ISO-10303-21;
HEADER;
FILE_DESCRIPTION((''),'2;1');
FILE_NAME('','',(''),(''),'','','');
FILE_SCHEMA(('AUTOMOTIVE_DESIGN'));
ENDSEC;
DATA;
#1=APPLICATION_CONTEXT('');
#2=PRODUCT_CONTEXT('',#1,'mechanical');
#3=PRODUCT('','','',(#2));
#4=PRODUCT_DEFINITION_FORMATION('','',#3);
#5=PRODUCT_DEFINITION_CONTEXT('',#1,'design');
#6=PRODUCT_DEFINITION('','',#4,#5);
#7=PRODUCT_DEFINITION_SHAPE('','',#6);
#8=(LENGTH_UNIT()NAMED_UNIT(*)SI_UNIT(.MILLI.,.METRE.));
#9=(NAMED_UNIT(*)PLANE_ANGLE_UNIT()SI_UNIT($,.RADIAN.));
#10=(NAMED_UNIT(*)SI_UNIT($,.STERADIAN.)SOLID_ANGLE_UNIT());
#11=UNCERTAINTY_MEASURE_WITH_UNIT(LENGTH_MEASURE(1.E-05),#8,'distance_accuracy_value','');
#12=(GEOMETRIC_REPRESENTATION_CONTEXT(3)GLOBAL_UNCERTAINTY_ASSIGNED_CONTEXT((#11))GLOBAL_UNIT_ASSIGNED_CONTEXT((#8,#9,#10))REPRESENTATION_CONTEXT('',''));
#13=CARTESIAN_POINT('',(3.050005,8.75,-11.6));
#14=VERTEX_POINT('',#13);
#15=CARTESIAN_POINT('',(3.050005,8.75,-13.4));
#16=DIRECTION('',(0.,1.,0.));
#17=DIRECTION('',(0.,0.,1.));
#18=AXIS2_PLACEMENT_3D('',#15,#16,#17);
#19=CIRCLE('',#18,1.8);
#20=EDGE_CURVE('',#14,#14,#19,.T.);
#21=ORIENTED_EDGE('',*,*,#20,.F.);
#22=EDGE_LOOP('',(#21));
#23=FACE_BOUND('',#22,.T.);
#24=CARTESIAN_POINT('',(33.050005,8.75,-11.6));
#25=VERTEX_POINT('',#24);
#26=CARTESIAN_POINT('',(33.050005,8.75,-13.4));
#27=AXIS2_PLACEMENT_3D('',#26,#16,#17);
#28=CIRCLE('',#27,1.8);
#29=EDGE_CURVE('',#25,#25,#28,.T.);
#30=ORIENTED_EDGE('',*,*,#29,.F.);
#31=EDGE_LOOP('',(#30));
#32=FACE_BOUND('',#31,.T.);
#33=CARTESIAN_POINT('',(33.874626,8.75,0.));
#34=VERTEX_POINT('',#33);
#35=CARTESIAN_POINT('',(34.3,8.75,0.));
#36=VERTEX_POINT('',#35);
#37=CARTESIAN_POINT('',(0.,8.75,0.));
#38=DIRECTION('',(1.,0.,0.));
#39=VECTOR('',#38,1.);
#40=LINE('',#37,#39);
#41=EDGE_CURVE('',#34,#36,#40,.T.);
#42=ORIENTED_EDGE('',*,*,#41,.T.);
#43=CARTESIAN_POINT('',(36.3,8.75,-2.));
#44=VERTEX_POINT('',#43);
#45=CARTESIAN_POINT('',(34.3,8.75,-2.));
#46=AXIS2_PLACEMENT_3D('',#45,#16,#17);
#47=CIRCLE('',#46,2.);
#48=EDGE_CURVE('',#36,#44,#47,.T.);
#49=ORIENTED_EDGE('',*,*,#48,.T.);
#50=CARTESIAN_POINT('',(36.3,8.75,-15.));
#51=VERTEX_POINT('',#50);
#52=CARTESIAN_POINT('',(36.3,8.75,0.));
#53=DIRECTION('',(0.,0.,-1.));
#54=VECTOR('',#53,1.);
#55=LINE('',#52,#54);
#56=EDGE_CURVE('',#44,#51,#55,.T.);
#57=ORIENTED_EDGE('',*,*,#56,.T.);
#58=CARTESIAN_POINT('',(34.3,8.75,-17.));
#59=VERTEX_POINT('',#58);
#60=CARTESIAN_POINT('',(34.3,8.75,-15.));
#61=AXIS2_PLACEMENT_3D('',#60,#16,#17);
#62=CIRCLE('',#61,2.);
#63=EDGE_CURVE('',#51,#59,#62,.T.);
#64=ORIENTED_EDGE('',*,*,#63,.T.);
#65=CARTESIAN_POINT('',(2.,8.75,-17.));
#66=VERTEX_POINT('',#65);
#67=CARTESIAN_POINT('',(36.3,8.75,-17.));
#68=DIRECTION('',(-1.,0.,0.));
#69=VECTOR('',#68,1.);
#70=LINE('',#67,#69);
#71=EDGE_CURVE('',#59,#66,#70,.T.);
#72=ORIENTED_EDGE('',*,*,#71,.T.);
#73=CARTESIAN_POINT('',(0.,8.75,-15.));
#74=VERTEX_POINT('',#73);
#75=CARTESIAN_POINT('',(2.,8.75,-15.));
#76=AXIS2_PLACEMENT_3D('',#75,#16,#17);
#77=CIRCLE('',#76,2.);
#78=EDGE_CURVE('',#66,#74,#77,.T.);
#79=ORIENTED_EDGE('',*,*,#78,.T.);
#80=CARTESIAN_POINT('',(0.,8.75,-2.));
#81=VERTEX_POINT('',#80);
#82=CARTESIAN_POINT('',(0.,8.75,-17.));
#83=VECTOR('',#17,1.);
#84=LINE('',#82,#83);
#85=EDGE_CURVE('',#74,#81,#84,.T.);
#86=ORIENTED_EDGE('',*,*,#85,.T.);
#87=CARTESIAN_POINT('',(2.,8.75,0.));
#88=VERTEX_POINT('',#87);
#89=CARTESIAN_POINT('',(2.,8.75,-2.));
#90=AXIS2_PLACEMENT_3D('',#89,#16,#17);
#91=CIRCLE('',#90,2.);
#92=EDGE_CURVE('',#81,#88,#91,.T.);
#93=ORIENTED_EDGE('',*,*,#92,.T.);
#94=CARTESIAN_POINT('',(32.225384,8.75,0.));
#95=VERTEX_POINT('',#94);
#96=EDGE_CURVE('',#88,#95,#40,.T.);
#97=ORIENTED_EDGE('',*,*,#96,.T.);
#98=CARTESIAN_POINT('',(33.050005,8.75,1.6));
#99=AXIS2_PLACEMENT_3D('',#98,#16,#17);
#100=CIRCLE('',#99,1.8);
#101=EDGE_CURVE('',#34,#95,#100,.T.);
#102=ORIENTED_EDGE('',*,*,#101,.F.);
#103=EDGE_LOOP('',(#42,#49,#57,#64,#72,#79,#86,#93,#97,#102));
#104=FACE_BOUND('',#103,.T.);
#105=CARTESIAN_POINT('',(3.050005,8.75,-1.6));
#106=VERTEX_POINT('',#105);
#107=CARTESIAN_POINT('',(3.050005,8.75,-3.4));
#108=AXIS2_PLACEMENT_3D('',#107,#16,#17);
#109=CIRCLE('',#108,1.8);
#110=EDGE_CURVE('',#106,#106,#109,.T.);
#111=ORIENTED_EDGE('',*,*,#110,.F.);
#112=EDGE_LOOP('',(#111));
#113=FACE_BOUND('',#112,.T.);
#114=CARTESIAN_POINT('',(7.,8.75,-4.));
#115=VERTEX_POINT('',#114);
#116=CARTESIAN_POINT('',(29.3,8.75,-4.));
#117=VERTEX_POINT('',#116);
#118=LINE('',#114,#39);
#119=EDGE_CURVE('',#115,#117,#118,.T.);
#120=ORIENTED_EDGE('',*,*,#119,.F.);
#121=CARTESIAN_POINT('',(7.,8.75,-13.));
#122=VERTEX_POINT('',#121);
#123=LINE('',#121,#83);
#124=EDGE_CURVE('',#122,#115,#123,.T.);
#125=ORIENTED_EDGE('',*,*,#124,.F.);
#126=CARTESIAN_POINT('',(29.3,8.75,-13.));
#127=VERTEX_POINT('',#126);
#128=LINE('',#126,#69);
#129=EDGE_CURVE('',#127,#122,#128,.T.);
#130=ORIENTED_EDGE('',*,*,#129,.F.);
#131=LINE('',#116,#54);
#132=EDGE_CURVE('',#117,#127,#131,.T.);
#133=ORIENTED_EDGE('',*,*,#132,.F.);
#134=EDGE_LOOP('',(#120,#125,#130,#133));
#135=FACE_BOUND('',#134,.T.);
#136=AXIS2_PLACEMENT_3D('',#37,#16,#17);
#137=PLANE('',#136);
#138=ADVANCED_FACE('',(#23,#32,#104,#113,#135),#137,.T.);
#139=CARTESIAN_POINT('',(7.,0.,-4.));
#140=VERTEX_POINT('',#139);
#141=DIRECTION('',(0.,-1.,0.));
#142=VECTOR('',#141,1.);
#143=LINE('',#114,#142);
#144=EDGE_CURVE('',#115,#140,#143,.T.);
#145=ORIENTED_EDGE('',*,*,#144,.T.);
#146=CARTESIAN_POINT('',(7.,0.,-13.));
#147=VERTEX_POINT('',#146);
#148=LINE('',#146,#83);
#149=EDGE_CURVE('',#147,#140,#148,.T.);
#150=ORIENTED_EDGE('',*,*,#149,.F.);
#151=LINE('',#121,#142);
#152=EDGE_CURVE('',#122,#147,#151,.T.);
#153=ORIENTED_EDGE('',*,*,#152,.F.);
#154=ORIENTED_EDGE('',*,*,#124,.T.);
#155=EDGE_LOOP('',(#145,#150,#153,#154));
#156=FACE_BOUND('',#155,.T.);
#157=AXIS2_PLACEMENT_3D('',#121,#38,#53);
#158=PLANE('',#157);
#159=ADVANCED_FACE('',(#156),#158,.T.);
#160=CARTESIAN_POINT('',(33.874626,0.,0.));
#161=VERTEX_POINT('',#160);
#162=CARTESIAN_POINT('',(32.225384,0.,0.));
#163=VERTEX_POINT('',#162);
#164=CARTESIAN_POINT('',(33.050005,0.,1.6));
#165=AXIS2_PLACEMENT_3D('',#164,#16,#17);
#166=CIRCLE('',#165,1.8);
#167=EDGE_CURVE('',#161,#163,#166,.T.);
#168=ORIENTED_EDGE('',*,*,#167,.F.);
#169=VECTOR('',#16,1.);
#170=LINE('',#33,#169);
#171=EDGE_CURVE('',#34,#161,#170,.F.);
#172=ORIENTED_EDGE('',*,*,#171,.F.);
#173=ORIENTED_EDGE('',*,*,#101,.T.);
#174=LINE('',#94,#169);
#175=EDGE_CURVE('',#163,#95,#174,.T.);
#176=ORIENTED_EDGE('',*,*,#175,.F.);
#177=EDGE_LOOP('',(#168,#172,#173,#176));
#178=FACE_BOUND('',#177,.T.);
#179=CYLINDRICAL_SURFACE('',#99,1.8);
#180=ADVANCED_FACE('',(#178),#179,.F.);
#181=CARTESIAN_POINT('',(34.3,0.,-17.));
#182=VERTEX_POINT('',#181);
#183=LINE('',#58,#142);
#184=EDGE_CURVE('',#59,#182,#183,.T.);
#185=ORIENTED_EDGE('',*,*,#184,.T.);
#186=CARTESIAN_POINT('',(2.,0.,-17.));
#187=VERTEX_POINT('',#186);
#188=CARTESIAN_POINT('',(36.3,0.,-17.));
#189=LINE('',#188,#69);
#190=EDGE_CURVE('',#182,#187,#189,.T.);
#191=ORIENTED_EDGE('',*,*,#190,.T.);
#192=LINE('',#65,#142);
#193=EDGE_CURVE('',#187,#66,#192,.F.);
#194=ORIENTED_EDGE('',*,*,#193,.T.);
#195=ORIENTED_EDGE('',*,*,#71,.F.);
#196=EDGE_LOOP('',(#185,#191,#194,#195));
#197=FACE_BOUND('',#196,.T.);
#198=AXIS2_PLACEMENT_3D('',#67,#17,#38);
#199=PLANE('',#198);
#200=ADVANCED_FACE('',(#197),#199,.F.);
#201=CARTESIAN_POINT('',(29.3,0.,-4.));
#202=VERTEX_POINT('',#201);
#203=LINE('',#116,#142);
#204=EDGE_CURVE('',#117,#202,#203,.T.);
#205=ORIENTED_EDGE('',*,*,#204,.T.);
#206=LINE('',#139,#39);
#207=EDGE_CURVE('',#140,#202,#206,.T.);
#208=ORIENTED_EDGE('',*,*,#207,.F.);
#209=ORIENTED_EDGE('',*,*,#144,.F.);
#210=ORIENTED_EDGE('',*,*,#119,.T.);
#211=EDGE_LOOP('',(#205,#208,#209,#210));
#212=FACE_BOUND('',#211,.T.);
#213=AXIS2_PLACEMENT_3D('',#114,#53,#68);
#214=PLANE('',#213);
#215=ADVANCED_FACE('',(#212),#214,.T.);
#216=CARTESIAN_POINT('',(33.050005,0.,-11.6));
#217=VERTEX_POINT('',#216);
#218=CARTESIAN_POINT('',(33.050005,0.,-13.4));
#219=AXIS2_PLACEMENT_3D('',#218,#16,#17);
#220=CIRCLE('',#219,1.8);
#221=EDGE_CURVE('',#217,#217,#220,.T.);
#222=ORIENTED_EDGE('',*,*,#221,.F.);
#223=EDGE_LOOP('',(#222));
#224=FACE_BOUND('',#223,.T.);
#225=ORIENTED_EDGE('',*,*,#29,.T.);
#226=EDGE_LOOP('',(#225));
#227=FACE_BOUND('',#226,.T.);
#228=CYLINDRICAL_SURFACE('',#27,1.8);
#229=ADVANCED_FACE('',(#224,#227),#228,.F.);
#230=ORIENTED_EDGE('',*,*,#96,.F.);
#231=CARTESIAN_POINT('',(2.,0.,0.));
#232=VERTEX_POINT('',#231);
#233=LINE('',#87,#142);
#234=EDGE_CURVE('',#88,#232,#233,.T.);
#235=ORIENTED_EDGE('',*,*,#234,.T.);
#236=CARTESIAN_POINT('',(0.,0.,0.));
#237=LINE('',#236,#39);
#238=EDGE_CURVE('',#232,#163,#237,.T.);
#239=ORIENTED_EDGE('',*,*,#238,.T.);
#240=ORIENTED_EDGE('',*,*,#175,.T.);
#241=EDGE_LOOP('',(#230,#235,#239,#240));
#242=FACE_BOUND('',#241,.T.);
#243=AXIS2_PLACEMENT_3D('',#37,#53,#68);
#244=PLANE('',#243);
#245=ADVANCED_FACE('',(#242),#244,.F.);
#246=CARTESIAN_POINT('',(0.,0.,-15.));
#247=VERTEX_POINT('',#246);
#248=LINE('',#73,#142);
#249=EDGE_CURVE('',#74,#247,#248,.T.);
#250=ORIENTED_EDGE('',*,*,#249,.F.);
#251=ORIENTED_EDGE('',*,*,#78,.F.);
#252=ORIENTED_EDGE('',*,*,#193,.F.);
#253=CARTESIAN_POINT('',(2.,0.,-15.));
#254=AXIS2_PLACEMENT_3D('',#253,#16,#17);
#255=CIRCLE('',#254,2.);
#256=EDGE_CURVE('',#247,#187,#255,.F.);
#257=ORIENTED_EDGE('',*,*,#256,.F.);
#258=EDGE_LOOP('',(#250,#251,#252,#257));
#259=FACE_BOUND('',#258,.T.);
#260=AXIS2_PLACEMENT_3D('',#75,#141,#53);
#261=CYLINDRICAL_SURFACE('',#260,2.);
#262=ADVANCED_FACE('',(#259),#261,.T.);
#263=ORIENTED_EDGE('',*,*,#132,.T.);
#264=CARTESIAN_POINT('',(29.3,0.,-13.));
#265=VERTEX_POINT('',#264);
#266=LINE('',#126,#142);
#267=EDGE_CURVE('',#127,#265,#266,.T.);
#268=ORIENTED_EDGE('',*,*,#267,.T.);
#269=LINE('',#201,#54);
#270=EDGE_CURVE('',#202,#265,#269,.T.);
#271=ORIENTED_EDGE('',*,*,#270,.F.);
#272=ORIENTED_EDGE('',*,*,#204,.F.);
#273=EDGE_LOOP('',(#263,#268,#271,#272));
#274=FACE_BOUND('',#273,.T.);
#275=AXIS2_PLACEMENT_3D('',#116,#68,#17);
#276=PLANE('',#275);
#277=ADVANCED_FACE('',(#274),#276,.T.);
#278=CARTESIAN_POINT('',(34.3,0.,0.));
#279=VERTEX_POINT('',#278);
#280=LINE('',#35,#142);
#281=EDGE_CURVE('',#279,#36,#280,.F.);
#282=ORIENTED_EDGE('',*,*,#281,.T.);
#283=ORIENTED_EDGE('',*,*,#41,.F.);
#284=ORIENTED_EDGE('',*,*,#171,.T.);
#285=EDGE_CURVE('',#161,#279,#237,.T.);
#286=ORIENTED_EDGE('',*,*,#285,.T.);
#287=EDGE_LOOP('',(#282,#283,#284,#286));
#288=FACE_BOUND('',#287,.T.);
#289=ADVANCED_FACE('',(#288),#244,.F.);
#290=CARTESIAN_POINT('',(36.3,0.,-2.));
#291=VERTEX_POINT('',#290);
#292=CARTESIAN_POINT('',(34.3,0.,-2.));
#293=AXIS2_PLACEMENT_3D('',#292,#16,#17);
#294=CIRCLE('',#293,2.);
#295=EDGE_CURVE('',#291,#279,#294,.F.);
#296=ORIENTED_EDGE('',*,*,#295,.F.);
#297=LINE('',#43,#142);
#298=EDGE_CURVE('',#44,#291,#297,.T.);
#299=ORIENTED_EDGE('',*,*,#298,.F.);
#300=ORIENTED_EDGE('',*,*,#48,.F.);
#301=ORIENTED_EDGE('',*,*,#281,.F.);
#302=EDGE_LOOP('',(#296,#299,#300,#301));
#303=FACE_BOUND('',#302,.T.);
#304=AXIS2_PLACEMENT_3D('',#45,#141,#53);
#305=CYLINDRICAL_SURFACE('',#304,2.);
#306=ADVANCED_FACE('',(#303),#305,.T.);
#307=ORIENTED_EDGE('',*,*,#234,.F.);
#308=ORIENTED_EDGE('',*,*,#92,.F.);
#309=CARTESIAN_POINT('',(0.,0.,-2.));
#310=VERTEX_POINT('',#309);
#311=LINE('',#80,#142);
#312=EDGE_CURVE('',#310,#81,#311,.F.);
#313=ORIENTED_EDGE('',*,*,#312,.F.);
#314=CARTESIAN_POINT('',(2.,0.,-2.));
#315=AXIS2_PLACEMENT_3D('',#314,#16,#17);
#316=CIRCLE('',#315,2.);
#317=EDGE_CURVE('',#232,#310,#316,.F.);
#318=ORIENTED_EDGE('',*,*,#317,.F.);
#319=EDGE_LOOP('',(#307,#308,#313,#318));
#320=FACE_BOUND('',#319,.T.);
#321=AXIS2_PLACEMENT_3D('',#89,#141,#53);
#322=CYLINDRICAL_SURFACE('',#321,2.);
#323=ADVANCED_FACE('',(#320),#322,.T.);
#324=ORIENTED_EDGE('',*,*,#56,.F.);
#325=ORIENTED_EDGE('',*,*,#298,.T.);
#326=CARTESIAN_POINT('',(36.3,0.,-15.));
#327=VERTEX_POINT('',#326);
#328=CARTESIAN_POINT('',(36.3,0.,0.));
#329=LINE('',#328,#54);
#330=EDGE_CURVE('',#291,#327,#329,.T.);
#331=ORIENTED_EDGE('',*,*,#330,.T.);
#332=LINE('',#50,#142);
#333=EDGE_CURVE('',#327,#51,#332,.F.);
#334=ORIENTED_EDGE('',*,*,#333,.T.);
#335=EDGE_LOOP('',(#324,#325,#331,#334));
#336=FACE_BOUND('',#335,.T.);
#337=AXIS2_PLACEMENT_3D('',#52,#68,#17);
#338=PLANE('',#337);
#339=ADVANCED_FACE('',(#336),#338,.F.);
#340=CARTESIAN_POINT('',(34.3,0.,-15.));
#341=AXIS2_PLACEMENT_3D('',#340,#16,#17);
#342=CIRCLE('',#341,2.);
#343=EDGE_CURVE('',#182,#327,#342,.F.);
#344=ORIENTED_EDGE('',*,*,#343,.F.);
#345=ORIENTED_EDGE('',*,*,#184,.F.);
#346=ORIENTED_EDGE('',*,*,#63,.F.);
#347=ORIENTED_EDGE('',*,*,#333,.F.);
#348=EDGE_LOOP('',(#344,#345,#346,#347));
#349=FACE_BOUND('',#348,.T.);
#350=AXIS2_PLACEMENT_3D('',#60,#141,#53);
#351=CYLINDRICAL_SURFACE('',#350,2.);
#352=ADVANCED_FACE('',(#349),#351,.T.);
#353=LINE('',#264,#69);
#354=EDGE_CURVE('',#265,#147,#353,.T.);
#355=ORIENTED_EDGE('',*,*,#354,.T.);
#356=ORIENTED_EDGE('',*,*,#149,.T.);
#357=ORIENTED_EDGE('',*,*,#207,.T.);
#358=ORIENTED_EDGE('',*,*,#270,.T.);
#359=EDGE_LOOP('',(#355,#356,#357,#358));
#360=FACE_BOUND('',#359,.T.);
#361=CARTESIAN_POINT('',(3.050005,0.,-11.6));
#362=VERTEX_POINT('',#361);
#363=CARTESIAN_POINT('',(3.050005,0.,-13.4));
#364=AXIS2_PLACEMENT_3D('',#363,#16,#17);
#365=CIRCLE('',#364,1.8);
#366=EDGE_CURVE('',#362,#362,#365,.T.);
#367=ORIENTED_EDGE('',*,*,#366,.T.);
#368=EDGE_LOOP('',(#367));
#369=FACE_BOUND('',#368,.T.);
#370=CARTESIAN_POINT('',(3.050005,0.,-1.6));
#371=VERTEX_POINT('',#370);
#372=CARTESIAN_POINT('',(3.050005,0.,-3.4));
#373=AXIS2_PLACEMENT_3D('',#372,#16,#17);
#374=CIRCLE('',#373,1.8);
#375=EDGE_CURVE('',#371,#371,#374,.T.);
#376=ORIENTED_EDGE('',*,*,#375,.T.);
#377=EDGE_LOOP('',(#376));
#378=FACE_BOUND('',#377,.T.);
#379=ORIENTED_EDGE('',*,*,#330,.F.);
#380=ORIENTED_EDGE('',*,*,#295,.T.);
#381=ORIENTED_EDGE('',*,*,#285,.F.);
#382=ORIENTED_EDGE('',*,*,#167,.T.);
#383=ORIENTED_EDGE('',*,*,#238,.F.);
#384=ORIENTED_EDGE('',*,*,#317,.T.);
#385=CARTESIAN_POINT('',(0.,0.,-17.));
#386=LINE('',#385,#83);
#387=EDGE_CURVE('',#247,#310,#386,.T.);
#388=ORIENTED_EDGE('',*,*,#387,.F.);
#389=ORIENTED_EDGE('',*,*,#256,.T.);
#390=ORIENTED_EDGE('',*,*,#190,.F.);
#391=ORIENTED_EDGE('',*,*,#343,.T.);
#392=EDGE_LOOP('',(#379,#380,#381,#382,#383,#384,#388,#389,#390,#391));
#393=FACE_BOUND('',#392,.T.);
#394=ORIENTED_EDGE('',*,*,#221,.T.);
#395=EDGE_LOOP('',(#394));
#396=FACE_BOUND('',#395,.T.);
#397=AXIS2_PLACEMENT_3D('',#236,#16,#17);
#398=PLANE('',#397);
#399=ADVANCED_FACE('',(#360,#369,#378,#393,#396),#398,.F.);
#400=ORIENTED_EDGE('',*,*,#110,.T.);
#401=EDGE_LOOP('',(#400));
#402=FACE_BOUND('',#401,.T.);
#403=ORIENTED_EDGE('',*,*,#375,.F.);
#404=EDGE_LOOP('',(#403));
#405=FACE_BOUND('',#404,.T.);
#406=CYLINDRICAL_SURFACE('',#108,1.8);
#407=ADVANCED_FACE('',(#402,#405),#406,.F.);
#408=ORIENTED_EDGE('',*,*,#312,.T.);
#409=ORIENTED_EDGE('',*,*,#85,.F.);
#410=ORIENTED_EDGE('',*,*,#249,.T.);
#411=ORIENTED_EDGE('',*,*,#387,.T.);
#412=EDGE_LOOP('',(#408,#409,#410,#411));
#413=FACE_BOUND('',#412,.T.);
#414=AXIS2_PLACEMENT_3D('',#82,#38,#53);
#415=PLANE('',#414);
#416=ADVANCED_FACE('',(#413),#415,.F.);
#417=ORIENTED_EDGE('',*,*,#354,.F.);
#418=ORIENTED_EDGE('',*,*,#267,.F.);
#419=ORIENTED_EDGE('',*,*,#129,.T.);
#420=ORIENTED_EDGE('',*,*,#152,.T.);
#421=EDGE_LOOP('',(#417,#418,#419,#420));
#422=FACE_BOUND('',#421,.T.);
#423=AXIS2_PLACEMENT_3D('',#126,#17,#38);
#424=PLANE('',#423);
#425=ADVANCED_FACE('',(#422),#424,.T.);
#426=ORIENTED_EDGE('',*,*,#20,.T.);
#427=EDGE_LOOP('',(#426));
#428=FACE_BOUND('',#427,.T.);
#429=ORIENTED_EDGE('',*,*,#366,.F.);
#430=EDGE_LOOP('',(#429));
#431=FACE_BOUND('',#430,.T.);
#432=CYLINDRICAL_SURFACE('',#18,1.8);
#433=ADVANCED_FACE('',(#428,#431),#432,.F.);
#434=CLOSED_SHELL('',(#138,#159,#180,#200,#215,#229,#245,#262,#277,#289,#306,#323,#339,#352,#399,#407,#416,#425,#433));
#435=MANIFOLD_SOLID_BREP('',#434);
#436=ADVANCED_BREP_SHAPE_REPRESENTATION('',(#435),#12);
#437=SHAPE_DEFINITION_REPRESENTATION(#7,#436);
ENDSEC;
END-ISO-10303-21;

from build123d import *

# Parameters (mm, degrees)
SKETCH1_W            = 36.3
SKETCH1_H            = 17
SKETCH1_W_2          = 22.3
SKETCH1_H_2          = 9
BOSS_EXTRUDE1_DEPTH  = 8.75
M3_CLEARANCE_HOLE1_D = 3.6
FILLET1_R            = 2


with BuildPart() as part:
    # Sketch1 → Boss-Extrude1 (new body)
    with BuildSketch(Plane(origin=(0, 0, 0), x_dir=(1, 0, 0), z_dir=(0, 1, 0))):
        with Locations((18.15, 8.5)):
            Rectangle(SKETCH1_W, SKETCH1_H)
        with Locations((18.15, 8.5)):
            Rectangle(SKETCH1_W_2, SKETCH1_H_2, mode=Mode.SUBTRACT)
    extrude(amount=BOSS_EXTRUDE1_DEPTH)

    # M3 Clearance Hole1 (through all)
    with Locations(Plane(origin=(0, 8.75, 0), x_dir=(1, 0, 0), z_dir=(0, 1, 0))):
        with Locations((3.050005, 3.4), (33.050005, -1.6), (33.050005, 13.4), (3.050005, 13.4)):
            Hole(M3_CLEARANCE_HOLE1_D / 2)

    # Fillet1
    fillet1_edges = [part.edges().sort_by_distance(p)[0] for p in [
        (0, 4.375, -17),
        (36.3, 4.375, -17),
        (36.3, 4.375, 0),
        (0, 4.375, 0),
    ]]
    fillet(fillet1_edges, radius=FILLET1_R)


solid = part.part
